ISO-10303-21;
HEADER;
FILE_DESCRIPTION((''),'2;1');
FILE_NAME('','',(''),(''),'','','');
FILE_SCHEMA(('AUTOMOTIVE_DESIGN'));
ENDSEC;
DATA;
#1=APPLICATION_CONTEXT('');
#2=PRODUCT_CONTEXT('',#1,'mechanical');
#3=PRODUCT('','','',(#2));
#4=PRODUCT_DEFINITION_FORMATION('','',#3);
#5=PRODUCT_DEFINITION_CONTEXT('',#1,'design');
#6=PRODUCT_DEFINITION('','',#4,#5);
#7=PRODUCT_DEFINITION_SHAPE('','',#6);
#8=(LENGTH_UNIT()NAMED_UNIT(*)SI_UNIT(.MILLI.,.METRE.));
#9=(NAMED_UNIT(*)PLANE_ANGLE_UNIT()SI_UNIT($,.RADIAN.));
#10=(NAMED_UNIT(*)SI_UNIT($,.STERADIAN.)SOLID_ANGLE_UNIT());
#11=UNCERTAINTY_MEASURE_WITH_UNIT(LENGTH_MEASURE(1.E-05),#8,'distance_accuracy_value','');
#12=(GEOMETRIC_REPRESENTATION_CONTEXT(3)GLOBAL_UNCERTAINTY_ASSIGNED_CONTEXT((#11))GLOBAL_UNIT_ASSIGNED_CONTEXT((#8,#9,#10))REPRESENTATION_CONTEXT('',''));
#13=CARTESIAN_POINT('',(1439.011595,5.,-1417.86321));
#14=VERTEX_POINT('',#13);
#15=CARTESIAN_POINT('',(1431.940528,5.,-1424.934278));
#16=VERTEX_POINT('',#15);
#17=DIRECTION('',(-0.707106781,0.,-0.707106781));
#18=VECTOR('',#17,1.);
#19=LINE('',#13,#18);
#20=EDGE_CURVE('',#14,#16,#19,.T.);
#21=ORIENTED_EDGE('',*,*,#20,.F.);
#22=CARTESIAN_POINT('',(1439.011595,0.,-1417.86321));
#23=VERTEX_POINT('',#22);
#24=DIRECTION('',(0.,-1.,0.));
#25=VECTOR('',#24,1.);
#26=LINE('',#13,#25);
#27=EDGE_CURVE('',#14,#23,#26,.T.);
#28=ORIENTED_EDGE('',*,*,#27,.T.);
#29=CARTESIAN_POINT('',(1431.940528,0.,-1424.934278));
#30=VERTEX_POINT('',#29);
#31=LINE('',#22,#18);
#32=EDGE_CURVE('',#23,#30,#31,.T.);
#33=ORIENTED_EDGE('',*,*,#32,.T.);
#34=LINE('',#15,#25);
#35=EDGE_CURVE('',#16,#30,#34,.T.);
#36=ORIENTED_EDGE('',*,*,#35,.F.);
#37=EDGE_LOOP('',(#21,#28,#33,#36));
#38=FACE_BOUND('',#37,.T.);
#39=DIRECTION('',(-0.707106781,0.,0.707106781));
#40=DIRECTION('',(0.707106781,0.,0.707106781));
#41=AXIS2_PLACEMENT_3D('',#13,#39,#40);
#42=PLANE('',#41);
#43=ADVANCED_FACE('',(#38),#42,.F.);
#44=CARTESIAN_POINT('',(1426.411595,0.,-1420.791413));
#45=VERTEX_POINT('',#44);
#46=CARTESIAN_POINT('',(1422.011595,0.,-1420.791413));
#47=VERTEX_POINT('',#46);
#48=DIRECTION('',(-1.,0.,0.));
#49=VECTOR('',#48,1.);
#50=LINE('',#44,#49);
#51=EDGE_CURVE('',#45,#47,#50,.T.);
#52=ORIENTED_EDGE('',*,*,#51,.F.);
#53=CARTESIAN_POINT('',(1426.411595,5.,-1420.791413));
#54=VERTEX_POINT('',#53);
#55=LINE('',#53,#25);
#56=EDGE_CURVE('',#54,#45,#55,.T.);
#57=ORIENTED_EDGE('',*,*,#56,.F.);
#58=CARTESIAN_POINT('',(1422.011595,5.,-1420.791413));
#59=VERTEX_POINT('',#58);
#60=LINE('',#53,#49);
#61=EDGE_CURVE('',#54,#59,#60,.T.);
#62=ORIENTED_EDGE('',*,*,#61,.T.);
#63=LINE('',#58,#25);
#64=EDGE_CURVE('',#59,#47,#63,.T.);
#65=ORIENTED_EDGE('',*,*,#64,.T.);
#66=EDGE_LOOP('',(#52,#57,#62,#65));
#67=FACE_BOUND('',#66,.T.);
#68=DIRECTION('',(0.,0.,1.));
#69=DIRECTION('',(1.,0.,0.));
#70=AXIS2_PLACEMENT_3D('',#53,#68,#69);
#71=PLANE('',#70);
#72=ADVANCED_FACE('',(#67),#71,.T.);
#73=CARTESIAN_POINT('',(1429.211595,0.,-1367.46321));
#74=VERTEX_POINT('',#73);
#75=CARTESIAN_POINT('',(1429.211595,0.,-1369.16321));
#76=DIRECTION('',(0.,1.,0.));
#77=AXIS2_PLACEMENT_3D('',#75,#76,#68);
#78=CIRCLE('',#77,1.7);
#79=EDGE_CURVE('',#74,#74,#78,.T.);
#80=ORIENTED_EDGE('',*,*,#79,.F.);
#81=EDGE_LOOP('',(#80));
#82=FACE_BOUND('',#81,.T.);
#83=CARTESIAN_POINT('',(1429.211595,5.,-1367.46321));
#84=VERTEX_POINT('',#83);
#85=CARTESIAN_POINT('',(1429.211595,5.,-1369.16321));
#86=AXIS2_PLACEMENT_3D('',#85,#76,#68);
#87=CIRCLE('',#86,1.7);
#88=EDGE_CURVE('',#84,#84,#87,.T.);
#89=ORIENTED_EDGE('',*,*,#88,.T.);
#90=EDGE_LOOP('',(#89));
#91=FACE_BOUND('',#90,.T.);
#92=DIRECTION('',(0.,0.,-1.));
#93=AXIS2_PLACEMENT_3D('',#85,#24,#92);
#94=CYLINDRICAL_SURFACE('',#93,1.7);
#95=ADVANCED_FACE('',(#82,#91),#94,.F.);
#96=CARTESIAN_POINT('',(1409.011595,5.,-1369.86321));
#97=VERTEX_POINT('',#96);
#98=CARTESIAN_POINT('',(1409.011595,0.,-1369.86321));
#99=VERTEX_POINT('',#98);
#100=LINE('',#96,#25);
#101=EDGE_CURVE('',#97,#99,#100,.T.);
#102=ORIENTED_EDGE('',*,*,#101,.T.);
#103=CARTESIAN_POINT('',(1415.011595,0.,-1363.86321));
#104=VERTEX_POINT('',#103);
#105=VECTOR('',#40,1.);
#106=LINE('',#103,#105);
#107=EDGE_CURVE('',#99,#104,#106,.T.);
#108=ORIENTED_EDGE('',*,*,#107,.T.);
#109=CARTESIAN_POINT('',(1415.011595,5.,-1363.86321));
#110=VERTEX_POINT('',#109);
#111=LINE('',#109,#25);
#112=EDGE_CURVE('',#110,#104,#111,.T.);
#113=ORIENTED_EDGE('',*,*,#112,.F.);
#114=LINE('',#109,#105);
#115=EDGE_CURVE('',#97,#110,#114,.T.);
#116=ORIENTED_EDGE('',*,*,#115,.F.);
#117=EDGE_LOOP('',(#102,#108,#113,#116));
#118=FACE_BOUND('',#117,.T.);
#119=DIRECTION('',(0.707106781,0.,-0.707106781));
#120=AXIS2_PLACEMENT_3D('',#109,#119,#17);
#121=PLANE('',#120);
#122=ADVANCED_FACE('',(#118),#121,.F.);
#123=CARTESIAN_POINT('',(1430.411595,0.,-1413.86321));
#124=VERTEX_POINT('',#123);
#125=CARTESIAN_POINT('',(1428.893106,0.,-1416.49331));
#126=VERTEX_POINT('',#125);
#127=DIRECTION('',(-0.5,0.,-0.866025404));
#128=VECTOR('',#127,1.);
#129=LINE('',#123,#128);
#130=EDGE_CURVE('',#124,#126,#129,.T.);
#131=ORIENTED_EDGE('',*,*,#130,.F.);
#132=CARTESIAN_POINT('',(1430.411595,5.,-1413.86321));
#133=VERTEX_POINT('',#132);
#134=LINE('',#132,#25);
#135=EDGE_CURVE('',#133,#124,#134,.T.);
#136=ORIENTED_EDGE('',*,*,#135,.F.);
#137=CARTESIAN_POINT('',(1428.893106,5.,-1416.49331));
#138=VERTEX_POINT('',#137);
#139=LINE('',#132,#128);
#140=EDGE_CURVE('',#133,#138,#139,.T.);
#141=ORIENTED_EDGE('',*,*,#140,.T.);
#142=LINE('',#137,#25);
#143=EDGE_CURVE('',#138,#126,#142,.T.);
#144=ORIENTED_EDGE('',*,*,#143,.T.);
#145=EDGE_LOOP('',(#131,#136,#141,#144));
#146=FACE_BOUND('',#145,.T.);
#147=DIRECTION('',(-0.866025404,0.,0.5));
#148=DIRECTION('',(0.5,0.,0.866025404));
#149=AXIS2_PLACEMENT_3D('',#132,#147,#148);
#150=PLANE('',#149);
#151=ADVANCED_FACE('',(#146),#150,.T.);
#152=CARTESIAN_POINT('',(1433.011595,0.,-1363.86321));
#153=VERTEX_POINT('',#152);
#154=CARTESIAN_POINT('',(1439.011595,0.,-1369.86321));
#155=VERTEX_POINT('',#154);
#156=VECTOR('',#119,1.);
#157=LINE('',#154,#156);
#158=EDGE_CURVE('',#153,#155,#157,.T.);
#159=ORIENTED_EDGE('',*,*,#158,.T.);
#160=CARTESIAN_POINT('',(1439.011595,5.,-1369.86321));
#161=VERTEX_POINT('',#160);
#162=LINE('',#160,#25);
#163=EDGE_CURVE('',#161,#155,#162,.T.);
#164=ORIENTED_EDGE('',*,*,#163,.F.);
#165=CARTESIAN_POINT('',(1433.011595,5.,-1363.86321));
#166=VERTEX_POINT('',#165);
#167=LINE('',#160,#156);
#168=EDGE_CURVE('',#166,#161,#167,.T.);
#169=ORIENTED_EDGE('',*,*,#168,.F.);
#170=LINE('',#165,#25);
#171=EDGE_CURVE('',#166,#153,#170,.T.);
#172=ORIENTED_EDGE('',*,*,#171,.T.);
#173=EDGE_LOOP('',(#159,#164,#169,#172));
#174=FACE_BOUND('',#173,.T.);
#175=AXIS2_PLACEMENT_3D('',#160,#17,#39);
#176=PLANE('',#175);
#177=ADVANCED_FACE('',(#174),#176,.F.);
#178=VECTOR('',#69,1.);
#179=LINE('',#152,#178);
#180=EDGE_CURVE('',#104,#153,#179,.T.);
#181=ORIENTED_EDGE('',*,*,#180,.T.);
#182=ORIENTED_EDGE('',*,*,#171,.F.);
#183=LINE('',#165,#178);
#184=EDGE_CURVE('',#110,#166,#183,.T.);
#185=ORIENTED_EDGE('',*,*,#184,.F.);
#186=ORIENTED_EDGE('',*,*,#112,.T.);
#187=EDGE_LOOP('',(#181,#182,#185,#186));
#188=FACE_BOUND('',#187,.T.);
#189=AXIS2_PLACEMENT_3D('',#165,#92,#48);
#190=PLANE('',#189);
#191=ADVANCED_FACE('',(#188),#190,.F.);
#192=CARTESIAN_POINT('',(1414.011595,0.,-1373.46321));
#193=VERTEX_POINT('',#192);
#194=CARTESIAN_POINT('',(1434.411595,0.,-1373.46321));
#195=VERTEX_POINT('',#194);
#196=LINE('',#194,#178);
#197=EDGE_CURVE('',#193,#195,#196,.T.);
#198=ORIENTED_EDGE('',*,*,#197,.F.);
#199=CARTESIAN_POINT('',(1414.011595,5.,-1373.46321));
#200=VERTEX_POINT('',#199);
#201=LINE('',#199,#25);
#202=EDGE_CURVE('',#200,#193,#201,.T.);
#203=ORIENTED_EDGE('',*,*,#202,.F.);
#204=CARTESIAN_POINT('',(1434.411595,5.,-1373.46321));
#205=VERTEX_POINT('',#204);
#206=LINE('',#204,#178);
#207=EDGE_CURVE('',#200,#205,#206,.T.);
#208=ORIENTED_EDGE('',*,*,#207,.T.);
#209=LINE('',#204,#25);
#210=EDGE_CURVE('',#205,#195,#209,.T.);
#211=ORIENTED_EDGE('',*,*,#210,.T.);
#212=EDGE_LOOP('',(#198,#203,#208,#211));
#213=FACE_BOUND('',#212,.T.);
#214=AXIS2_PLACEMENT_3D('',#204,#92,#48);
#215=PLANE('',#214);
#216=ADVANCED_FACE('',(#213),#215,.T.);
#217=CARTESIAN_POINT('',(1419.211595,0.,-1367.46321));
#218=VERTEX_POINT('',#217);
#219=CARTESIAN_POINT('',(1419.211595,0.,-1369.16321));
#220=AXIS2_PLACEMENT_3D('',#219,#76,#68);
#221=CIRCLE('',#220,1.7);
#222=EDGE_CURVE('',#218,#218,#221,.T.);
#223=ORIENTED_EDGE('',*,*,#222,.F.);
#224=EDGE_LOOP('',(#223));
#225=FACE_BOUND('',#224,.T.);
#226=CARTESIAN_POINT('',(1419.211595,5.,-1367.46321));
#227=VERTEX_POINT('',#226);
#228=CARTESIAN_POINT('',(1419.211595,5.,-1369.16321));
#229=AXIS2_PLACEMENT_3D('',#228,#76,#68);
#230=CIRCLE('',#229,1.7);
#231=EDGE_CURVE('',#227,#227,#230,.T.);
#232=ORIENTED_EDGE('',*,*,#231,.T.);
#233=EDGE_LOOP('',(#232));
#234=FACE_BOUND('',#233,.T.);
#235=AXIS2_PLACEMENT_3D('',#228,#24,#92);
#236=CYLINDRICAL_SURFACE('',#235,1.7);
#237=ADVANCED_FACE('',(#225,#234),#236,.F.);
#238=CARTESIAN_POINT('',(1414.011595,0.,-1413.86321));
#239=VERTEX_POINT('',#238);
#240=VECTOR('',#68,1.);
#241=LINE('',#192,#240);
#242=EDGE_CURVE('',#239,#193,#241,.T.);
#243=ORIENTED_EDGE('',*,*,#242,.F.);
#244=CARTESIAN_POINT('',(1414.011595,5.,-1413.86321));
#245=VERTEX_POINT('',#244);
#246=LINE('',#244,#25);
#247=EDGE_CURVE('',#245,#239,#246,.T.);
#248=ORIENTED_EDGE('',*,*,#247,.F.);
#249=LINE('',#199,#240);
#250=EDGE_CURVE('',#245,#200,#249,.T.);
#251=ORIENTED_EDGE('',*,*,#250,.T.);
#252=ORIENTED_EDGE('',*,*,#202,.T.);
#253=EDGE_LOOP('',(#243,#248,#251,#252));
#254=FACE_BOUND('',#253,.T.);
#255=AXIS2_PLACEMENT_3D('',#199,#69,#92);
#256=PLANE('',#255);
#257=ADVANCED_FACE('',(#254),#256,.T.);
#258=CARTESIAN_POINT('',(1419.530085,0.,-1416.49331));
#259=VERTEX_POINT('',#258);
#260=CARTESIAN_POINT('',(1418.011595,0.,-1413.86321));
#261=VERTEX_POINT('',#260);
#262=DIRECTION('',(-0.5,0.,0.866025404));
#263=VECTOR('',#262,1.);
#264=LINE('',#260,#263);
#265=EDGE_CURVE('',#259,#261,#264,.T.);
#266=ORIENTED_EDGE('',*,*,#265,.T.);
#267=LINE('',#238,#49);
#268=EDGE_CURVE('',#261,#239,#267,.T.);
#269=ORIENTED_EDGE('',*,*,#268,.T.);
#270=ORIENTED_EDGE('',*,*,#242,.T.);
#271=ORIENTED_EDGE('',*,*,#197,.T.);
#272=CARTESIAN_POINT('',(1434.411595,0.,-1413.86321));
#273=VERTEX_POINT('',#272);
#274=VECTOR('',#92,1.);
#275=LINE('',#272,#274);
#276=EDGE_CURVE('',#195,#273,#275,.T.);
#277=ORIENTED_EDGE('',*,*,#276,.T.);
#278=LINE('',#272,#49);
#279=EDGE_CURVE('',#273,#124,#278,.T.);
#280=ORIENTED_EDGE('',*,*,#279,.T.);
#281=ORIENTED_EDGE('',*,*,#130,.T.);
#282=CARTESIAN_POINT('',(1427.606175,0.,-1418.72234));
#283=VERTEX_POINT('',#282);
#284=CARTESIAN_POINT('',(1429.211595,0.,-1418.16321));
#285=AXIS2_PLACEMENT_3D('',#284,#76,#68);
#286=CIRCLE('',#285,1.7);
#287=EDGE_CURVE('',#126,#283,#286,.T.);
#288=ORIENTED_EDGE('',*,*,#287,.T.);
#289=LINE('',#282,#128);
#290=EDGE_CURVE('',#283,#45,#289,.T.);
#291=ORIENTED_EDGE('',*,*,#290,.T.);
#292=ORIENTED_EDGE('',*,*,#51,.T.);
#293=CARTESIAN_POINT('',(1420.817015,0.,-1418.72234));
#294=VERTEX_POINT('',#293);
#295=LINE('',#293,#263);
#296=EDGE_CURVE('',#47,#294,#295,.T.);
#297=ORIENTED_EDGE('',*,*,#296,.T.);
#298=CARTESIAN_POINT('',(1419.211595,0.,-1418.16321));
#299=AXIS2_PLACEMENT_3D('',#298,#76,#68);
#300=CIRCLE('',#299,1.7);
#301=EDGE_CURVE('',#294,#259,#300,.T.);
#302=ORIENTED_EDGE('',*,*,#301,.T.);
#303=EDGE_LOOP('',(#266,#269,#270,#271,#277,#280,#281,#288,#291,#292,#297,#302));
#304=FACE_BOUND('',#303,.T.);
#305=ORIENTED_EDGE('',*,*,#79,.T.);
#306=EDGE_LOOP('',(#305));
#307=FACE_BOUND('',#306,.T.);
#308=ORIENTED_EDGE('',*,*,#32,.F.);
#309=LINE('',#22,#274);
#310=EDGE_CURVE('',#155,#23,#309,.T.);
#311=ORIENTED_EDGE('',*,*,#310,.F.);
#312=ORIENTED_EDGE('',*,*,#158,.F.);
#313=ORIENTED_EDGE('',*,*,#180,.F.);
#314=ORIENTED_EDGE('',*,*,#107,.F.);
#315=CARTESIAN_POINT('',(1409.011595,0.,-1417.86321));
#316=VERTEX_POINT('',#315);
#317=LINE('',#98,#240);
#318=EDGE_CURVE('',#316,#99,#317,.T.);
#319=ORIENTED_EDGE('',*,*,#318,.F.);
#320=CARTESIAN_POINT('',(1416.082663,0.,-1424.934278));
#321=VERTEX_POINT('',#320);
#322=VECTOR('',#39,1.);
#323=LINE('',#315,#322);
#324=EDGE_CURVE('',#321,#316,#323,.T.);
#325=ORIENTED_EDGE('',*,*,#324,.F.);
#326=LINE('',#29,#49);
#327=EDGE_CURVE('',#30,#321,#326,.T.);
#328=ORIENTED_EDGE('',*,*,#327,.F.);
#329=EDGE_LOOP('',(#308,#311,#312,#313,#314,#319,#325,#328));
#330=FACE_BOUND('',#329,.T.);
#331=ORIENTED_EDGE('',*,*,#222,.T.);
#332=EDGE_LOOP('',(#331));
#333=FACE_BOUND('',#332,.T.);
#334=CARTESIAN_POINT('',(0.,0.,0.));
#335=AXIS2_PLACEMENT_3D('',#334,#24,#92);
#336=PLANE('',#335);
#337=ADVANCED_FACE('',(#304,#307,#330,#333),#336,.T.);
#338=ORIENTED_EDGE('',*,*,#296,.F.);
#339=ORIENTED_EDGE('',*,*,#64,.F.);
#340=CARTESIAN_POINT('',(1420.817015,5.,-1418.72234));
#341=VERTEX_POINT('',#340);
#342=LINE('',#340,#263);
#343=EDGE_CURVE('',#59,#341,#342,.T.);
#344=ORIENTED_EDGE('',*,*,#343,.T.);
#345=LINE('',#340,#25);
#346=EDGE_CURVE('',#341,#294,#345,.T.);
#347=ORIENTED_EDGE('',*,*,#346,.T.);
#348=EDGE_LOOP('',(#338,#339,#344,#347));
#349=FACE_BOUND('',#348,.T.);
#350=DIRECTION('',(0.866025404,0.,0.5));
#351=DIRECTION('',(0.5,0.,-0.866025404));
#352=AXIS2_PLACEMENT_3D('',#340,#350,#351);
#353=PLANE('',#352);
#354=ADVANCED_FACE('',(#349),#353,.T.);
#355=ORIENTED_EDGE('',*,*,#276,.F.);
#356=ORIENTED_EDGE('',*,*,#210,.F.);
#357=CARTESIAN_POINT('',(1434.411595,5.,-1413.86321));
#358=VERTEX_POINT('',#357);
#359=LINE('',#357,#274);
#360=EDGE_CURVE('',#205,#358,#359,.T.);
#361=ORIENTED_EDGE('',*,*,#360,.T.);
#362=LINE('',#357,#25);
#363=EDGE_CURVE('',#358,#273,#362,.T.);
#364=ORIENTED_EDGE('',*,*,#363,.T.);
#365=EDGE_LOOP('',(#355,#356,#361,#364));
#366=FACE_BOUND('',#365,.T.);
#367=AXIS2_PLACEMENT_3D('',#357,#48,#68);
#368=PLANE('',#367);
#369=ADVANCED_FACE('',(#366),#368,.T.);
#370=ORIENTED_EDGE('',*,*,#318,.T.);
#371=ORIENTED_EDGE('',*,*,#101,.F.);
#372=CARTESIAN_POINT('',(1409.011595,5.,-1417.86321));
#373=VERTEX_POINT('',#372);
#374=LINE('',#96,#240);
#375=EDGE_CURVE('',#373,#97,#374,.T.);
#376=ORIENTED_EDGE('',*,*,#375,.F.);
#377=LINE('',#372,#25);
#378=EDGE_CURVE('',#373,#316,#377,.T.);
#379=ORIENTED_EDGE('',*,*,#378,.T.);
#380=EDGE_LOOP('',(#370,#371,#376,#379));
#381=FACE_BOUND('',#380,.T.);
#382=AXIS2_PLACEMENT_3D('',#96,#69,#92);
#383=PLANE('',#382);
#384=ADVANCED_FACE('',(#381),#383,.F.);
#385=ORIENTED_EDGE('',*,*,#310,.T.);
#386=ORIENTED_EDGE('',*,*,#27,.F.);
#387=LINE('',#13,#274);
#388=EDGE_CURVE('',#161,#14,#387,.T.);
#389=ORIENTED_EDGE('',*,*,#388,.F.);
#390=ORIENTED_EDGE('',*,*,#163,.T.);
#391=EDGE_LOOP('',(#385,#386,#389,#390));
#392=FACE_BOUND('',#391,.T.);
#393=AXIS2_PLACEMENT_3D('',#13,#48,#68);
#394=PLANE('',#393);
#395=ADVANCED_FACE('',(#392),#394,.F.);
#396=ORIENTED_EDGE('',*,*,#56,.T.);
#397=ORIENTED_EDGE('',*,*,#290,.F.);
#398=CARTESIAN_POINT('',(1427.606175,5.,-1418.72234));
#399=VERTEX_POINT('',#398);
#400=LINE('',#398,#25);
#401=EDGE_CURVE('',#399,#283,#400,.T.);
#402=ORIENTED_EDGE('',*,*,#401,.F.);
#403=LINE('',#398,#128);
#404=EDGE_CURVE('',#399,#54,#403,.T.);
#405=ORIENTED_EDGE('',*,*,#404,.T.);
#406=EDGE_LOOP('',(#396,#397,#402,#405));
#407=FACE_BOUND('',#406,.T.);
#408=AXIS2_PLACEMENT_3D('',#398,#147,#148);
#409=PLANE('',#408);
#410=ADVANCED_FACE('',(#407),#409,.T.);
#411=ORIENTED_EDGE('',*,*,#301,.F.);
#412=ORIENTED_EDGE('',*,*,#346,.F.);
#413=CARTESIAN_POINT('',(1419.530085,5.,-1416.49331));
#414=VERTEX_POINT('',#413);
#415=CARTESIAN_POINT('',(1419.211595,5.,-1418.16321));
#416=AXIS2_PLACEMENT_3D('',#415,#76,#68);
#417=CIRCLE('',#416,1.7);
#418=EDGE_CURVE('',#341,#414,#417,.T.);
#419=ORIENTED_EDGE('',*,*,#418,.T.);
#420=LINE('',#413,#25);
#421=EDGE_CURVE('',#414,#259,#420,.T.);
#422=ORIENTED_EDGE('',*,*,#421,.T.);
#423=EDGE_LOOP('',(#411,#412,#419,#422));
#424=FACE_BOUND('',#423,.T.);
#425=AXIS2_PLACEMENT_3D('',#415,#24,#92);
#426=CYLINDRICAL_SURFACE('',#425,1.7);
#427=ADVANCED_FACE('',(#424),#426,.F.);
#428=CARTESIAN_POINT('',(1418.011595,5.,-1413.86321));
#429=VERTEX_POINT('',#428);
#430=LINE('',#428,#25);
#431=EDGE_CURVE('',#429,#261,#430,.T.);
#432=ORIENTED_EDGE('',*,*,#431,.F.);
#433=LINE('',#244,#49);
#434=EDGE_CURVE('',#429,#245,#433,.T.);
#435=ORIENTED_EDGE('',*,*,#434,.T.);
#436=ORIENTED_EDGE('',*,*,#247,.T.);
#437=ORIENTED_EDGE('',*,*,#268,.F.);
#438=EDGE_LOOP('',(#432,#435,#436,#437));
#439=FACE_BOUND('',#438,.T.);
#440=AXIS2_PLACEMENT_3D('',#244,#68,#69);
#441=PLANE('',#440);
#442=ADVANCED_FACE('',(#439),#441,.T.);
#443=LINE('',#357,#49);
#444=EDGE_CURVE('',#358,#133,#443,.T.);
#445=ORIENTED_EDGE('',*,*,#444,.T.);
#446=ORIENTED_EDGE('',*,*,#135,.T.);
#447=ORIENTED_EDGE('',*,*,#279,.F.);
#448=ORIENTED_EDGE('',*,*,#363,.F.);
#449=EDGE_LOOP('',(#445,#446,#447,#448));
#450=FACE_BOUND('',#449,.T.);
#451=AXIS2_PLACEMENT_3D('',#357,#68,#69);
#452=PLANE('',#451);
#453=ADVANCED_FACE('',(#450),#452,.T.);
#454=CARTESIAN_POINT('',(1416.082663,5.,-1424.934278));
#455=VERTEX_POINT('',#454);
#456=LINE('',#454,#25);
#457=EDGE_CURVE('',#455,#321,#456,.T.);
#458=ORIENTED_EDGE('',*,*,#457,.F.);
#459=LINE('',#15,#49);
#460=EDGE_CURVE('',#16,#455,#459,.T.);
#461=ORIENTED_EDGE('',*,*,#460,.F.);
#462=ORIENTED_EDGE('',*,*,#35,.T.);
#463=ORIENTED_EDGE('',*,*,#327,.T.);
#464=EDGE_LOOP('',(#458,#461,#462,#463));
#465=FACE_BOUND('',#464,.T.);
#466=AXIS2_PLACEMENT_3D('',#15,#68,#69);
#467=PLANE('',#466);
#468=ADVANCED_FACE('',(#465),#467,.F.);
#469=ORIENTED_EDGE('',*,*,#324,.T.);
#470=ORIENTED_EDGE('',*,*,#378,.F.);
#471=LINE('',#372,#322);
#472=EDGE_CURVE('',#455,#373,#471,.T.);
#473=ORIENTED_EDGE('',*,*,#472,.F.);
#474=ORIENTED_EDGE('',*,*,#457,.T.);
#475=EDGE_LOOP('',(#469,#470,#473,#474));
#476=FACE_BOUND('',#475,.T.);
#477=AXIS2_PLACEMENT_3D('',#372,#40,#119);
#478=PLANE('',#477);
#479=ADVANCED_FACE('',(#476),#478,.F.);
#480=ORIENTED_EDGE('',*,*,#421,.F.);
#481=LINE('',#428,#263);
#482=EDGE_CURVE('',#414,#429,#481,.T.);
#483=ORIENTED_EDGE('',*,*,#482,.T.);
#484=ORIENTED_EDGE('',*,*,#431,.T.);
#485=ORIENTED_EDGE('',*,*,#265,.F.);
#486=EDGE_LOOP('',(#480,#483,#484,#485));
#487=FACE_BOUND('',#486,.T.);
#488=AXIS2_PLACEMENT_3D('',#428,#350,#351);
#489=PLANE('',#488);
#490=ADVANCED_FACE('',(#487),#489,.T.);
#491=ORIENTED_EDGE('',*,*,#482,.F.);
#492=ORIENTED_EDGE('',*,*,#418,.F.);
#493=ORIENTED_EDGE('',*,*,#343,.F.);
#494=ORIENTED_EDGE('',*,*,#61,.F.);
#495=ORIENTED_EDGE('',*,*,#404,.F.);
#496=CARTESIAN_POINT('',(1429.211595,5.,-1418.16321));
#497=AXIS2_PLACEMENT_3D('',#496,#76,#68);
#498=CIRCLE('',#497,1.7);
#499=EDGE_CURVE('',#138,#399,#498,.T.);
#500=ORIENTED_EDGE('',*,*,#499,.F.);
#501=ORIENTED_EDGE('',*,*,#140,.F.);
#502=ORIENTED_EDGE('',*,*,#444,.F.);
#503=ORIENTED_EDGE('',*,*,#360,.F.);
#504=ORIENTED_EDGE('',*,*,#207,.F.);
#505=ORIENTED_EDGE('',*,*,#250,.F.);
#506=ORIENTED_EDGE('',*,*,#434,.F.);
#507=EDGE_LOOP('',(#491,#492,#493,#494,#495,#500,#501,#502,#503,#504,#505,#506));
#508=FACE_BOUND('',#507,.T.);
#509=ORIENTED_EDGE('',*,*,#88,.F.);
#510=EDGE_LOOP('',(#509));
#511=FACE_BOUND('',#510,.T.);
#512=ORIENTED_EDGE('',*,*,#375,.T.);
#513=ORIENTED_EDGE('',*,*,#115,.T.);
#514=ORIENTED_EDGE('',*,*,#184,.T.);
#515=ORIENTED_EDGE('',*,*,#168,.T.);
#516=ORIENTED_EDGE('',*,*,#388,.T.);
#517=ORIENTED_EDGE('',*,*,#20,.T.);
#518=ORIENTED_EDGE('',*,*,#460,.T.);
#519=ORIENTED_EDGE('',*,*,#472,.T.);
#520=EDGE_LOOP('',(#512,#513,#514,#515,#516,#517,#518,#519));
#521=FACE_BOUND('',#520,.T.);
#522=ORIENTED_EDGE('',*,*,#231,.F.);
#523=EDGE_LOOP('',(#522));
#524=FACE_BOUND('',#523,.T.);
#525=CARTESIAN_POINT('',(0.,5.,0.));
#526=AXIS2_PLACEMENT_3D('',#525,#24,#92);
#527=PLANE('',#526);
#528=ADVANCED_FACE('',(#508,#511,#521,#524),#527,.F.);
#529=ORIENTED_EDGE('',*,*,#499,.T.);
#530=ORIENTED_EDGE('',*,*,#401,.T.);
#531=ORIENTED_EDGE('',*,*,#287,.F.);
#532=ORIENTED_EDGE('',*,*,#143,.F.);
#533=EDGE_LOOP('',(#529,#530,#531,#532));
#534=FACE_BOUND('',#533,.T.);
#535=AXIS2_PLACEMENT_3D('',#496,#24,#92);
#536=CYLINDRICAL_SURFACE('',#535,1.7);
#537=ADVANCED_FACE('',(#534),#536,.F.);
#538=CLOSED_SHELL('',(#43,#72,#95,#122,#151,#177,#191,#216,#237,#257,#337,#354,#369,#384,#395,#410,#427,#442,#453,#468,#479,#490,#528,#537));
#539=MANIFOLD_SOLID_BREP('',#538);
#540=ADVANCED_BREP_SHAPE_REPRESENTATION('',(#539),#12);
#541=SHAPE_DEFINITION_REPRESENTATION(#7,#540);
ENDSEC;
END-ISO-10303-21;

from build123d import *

# Parameters (mm, degrees)
SKETCH_1_R      = 1.7
EXTRUDE_1_DEPTH = 5


with BuildPart() as part:
    # 草图1 → 凸台-拉伸1 (new body)
    with BuildSketch(Plane(origin=(0, 0, 0), x_dir=(1, 0, 0), z_dir=(0, 1, 0))):
        Polygon((1439.011595349, 1417.863209963), (1439.011595349, 1369.863209963), (1433.011595349, 1363.863209963), (1415.011595349, 1363.863209963), (1409.011595349, 1369.863209963), (1409.011595349, 1417.863209963), (1416.08266316, 1424.934277775), (1431.940527537, 1424.934277775), align=None)
        with Locations(Location((1429.211595349, 1369.163209963, 0), (0, 0, 270))):
            Circle(SKETCH_1_R, mode=Mode.SUBTRACT)
        with Locations(Location((1419.211595349, 1369.163209963, 0), (0, 0, 270))):
            Circle(SKETCH_1_R, mode=Mode.SUBTRACT)
        with BuildLine():
            Line((1434.411595349, 1413.863209963), (1434.411595349, 1373.463209963))
            Line((1434.411595349, 1373.463209963), (1414.011595349, 1373.463209963))
            Line((1414.011595349, 1373.463209963), (1414.011595349, 1413.863209963))
            Line((1414.011595349, 1413.863209963), (1418.011595349, 1413.863209963))
            Line((1418.011595349, 1413.863209963), (1419.530084528, 1416.493310372))
            ThreePointArc((1419.530084528, 1416.493310372), (1417.739352162, 1419.013209963), (1420.817015405, 1418.722340038))
            Line((1420.817015405, 1418.722340038), (1422.011595349, 1420.791413193))
            Line((1422.011595349, 1420.791413193), (1426.411595349, 1420.791413193))
            Line((1426.411595349, 1420.791413193), (1427.606175292, 1418.722340038))
            ThreePointArc((1427.606175292, 1418.722340038), (1430.683838535, 1419.013209963), (1428.893106169, 1416.493310372))
            Line((1428.893106169, 1416.493310372), (1430.411595349, 1413.863209963))
            Line((1430.411595349, 1413.863209963), (1434.411595349, 1413.863209963))
        make_face(mode=Mode.SUBTRACT)
    extrude(amount=EXTRUDE_1_DEPTH)


solid = part.part
